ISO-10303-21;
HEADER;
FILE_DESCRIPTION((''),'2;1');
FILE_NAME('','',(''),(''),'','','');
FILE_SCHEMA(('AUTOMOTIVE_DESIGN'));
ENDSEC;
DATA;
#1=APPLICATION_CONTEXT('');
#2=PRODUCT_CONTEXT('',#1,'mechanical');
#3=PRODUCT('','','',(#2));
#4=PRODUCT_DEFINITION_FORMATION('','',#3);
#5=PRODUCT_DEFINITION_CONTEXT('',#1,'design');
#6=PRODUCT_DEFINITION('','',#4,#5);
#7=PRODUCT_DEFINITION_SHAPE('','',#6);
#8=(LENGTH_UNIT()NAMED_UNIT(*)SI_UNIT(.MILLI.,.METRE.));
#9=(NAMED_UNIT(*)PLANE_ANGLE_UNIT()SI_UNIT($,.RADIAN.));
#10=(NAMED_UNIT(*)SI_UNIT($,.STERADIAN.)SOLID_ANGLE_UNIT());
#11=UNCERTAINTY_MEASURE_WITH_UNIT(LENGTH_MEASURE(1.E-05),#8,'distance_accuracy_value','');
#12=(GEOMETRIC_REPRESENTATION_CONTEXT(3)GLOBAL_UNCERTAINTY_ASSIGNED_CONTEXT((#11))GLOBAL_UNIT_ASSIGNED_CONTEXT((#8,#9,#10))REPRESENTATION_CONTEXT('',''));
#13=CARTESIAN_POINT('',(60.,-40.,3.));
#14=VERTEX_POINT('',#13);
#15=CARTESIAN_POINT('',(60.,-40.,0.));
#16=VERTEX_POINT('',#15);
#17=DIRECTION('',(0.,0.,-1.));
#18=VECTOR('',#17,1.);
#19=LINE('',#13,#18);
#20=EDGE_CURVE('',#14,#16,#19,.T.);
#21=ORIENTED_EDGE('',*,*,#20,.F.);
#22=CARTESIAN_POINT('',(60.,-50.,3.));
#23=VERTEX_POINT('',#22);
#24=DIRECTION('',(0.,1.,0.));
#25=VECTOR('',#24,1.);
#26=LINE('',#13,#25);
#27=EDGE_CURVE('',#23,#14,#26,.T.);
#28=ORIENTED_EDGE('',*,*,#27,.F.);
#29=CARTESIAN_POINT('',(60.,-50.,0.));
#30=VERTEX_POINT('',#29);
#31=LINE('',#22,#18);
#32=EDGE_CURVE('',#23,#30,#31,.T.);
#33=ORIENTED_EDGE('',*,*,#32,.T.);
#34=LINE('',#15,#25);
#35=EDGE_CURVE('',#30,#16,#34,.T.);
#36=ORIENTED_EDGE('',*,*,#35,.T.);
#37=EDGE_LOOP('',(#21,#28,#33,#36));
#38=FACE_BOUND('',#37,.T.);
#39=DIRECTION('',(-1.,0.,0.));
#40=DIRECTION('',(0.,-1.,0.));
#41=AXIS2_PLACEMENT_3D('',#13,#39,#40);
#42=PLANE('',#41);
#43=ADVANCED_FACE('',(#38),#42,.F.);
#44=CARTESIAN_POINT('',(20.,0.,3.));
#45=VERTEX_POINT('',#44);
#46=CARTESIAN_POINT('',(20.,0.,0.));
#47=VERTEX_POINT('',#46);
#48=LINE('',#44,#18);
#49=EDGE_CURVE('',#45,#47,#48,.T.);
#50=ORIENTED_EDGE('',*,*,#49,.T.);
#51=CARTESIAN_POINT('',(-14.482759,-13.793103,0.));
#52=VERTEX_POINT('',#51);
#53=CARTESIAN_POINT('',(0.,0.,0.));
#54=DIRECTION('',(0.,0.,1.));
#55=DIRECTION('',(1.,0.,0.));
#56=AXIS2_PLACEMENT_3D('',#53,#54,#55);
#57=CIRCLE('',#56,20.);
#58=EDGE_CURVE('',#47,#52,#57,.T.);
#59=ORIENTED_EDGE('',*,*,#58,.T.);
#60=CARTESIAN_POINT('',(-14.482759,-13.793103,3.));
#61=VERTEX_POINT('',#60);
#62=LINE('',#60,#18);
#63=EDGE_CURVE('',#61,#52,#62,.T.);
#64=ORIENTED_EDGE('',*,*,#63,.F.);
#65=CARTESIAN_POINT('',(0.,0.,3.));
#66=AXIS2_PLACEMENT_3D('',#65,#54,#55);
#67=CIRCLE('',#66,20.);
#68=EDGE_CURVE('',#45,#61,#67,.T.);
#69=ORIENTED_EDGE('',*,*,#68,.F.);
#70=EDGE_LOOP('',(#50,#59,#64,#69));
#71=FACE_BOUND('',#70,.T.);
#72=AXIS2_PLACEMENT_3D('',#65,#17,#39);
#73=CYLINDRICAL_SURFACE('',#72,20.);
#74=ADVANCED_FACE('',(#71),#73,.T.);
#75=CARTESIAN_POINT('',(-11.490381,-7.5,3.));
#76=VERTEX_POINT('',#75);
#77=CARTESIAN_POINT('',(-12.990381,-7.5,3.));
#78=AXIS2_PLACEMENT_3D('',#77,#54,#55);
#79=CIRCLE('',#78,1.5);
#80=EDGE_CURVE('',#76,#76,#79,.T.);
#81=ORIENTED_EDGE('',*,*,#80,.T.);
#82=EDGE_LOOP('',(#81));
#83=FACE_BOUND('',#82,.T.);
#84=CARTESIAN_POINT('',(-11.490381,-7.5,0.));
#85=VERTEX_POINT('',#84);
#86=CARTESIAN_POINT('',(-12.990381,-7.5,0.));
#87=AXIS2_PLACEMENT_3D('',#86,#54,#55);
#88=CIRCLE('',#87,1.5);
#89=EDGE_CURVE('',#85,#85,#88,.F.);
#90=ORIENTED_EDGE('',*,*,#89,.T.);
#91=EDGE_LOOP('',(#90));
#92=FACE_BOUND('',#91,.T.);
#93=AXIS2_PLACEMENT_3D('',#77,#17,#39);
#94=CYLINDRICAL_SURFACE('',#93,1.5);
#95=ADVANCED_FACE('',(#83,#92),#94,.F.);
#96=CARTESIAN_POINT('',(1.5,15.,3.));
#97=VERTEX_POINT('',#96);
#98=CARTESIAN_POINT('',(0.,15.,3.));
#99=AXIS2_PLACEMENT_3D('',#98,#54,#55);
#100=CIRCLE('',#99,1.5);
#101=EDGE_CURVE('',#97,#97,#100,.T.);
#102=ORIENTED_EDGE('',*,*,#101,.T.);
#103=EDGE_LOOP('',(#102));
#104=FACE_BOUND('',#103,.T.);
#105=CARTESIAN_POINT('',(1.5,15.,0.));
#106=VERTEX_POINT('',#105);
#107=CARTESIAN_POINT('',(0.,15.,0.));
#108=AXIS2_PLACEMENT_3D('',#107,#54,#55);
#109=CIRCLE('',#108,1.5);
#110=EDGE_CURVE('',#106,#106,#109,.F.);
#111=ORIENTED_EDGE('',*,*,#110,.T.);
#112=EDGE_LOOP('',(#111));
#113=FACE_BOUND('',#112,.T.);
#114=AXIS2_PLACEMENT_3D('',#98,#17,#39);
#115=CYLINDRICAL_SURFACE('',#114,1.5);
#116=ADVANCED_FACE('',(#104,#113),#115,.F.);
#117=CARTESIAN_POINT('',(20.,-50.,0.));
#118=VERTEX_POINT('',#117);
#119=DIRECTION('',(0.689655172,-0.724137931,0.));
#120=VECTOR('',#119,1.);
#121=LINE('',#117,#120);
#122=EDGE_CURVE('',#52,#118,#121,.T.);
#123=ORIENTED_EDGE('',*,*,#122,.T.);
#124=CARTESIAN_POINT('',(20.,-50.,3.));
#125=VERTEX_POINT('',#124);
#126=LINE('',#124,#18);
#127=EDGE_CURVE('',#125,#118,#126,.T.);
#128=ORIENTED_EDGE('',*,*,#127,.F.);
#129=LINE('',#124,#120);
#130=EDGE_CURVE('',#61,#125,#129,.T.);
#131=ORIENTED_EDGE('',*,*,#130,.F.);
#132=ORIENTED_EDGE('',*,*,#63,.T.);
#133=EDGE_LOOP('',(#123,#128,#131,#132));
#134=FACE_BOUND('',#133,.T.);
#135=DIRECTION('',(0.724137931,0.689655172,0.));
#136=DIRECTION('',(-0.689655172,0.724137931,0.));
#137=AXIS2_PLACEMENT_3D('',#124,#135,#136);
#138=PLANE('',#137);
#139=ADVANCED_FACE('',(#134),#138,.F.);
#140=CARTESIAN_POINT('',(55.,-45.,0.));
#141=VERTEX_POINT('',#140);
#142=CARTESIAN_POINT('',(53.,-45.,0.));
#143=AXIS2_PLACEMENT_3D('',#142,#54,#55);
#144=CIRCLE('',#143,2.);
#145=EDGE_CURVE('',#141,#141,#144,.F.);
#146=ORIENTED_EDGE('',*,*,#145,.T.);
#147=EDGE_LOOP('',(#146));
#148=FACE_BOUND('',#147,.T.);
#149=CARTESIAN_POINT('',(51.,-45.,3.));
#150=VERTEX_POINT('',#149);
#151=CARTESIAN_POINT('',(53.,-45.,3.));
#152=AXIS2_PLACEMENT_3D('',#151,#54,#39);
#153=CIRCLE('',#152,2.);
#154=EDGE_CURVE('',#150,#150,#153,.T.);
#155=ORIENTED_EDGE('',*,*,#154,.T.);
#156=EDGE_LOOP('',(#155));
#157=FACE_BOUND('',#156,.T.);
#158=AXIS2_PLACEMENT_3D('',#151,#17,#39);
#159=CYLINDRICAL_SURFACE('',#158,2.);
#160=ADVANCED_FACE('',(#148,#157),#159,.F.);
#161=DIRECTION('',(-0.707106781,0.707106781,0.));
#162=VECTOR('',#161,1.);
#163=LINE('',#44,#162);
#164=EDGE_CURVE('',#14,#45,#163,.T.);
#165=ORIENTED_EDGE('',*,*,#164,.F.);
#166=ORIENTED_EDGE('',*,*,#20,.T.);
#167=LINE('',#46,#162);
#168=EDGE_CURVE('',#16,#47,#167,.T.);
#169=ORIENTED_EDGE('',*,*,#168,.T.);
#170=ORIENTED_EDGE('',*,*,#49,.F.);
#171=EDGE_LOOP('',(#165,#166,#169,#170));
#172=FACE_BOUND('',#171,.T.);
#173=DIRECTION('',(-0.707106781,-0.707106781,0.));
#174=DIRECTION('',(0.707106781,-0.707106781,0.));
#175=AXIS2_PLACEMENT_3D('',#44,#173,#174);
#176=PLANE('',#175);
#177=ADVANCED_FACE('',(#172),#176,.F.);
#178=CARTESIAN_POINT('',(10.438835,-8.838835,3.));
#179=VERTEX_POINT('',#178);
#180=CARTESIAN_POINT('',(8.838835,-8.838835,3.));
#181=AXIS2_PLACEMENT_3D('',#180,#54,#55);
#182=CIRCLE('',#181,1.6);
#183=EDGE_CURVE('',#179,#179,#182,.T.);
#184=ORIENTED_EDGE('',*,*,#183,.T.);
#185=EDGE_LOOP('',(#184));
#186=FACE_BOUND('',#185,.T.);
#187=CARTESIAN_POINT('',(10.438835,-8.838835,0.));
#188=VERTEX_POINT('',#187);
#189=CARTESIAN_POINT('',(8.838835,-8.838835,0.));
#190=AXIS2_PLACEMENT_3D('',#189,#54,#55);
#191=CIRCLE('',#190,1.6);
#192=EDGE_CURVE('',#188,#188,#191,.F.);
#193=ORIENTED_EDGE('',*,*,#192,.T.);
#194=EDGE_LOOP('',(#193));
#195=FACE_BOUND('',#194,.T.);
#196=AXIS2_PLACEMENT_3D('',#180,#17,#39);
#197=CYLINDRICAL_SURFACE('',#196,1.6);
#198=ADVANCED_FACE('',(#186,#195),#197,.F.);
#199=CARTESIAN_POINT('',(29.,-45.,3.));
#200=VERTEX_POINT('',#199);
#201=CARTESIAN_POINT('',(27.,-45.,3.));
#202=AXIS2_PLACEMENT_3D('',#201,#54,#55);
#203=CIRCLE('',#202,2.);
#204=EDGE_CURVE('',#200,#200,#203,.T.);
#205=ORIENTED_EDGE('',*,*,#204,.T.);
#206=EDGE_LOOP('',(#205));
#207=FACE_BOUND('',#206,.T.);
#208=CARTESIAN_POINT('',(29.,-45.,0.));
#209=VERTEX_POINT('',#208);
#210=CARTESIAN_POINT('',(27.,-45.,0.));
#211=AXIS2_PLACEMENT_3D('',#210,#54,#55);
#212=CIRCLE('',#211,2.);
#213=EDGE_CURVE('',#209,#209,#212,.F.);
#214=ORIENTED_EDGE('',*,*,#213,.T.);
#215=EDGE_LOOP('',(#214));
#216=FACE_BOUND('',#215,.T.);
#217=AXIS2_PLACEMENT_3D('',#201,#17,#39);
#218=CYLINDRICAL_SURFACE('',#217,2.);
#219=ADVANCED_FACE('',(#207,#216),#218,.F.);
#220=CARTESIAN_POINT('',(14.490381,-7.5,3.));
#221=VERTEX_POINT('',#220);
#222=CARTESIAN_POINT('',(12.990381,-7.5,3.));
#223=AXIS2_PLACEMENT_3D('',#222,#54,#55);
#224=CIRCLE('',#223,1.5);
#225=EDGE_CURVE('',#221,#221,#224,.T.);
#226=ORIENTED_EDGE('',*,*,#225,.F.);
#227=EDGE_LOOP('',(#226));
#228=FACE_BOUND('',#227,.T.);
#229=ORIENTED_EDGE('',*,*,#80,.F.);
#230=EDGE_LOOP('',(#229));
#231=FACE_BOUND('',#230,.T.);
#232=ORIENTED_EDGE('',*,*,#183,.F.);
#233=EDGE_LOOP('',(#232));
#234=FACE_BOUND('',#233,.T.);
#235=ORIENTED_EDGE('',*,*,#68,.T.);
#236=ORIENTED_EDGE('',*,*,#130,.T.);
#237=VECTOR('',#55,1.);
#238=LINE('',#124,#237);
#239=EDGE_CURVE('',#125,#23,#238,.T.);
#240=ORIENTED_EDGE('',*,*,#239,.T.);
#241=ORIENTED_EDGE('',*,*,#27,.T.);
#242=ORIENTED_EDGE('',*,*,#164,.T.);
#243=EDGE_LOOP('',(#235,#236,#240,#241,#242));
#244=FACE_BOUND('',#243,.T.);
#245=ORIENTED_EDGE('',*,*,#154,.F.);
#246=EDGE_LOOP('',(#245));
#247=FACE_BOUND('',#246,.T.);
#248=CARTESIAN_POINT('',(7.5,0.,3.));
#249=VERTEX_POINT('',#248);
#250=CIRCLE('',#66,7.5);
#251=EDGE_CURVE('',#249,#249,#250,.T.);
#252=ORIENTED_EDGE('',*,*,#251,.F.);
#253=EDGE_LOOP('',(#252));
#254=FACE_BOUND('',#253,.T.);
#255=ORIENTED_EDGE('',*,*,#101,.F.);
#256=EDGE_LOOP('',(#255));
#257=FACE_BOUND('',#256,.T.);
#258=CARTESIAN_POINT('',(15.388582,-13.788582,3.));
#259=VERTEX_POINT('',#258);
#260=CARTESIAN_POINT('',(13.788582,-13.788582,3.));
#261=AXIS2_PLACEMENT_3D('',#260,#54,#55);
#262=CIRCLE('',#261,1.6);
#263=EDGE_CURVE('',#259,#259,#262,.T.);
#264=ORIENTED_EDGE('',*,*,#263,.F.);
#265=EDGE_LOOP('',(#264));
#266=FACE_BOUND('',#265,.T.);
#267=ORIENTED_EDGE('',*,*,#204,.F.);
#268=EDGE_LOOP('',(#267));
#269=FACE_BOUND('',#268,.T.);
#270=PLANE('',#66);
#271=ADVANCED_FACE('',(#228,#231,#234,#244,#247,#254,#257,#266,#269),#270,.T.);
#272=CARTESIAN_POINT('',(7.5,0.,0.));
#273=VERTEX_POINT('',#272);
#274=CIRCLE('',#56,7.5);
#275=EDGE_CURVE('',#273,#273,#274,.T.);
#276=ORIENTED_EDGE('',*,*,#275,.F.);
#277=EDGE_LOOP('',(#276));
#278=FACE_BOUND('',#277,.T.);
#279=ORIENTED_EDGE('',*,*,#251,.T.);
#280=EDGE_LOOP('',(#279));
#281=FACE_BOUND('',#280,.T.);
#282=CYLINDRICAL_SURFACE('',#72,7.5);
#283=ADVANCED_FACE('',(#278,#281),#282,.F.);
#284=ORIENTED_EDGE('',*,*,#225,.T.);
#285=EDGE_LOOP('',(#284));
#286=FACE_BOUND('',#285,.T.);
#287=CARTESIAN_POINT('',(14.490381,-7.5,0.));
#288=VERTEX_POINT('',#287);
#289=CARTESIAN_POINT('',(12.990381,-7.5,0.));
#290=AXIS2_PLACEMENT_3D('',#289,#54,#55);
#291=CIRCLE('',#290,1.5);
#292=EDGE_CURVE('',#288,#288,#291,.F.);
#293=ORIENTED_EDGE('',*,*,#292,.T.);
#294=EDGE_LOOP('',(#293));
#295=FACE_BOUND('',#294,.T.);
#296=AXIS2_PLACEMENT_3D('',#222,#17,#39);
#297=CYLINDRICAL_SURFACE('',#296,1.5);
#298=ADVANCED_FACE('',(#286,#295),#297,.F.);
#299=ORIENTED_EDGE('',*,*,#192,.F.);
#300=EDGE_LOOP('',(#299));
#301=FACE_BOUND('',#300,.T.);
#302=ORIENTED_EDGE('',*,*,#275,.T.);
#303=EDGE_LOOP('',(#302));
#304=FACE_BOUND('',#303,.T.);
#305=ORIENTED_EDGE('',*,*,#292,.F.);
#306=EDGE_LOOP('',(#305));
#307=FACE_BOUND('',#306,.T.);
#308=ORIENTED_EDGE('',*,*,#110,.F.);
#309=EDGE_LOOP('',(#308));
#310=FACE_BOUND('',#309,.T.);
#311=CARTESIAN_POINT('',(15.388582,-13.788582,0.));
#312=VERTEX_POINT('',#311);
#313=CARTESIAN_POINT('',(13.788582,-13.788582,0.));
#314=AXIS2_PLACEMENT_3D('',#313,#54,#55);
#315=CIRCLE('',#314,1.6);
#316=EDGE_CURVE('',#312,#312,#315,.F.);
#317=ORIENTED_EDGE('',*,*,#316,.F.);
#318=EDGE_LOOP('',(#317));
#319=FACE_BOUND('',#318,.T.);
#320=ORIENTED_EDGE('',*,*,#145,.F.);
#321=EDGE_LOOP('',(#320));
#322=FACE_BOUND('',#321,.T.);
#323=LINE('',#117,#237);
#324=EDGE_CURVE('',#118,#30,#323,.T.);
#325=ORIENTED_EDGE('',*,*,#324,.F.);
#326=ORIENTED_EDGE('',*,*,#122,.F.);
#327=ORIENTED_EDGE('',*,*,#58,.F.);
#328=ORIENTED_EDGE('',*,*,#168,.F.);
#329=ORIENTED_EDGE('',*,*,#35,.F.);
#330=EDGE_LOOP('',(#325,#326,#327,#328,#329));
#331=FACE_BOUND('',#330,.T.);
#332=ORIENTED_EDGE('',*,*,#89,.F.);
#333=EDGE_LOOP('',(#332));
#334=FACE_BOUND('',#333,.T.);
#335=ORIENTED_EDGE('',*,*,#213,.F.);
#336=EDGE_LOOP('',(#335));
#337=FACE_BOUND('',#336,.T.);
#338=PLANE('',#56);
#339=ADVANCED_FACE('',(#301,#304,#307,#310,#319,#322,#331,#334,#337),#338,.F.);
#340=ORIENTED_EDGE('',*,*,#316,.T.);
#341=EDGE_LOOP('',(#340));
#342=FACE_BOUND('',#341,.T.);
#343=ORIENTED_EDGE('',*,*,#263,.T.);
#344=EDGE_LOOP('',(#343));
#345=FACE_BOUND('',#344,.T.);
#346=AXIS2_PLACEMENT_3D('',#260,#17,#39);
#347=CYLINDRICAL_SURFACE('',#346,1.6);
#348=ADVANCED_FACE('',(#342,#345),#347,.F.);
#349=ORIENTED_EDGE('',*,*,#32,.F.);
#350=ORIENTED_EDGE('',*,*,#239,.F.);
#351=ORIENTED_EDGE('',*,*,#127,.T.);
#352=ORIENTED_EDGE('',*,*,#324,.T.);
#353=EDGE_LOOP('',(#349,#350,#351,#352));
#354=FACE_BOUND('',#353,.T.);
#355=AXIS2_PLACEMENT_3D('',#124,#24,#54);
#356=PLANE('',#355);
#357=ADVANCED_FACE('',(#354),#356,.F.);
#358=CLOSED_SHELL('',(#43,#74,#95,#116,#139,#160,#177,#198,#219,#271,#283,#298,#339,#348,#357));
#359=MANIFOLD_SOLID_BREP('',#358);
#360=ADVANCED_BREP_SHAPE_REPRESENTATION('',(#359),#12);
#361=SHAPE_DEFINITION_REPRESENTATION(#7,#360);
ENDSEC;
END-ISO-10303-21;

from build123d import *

# Parameters (mm, degrees)
SKETCH1_R               = 7.5
SKETCH1_R_2             = 4
BOSS_EXTRUDE1_DEPTH     = 3
CUT_EXTRUDE1_DEPTH      = 93.175105099
CUT_EXTRUDE1_DEPTH_BACK = 93.175105099
SKETCH2_R               = 1.5
SKETCH2_R_2             = 1.6
CUT_EXTRUDE3_DEPTH      = 93.175105099
CUT_EXTRUDE3_DEPTH_BACK = 93.175105099
SKETCH4_R               = 2
CUT_EXTRUDE4_DEPTH      = 10


with BuildPart() as part:
    # Sketch1 → Boss-Extrude1 (new body)
    with BuildSketch(Plane.XY):
        with BuildLine():
            Line((20, -50), (-14.482758621, -13.793103448))
            ThreePointArc((-14.482758621, -13.793103448), (-19.697630617, 3.464584837), (-8.907060148, 17.907101371))
            Line((-8.907060148, 17.907101371), (60.546469926, 52.453550686))
            ThreePointArc((60.546469926, 52.453550686), (73.60381741, 48.596501346), (70.712169365, 35.292008702))
            Line((70.712169365, 35.292008702), (20, 0))
            Line((20, 0), (60, -40))
            Line((60, -40), (60, -50))
            Line((60, -50), (20, -50))
        make_face()
        Circle(SKETCH1_R, mode=Mode.SUBTRACT)
        with Locations((65, 43.5)):
            Circle(SKETCH1_R_2, mode=Mode.SUBTRACT)
    extrude(amount=BOSS_EXTRUDE1_DEPTH)

    # Sketch2 → Cut-Extrude1 (cut, two sides: drawn at the far end of the back side and taken through both)
    with BuildSketch(Plane.XY.offset(-CUT_EXTRUDE1_DEPTH_BACK)):
        with Locations((0, 15)):
            Circle(SKETCH2_R)
        with Locations((12.990381057, -7.5)):
            Circle(SKETCH2_R)
        with Locations((-12.990381057, -7.5)):
            Circle(SKETCH2_R)
        with Locations((13.788582233, -13.788582233)):
            Circle(SKETCH2_R_2)
        with Locations((8.838834765, -8.838834765)):
            Circle(SKETCH2_R_2)
    extrude(amount=CUT_EXTRUDE1_DEPTH + CUT_EXTRUDE1_DEPTH_BACK, mode=Mode.SUBTRACT)

    # Sketch4 → Cut-Extrude3 (cut, two sides: drawn at the far end of the back side and taken through both)
    with BuildSketch(Plane.XY.offset(-CUT_EXTRUDE3_DEPTH_BACK)):
        with Locations((27, -45)):
            Circle(SKETCH4_R)
        with Locations(Location((53, -45, 0), (0, 0, 180))):
            Circle(SKETCH4_R)
    extrude(amount=CUT_EXTRUDE3_DEPTH + CUT_EXTRUDE3_DEPTH_BACK, mode=Mode.SUBTRACT)

    # Sketch5 → Cut-Extrude4 (cut)
    with BuildSketch(Plane.XY):
        with BuildLine():
            Line((60.546469926, 52.453550686), (-8.907060148, 17.907101371))
            ThreePointArc((-8.907060148, 17.907101371), (10.532302622, 17.002076387), (20, 0))
            Line((20, 0), (70.712169365, 35.292008702))
            ThreePointArc((70.712169365, 35.292008702), (73.60381741, 48.596501346), (60.546469926, 52.453550686))
        make_face()
    extrude(amount=CUT_EXTRUDE4_DEPTH, mode=Mode.SUBTRACT)


solid = part.part
